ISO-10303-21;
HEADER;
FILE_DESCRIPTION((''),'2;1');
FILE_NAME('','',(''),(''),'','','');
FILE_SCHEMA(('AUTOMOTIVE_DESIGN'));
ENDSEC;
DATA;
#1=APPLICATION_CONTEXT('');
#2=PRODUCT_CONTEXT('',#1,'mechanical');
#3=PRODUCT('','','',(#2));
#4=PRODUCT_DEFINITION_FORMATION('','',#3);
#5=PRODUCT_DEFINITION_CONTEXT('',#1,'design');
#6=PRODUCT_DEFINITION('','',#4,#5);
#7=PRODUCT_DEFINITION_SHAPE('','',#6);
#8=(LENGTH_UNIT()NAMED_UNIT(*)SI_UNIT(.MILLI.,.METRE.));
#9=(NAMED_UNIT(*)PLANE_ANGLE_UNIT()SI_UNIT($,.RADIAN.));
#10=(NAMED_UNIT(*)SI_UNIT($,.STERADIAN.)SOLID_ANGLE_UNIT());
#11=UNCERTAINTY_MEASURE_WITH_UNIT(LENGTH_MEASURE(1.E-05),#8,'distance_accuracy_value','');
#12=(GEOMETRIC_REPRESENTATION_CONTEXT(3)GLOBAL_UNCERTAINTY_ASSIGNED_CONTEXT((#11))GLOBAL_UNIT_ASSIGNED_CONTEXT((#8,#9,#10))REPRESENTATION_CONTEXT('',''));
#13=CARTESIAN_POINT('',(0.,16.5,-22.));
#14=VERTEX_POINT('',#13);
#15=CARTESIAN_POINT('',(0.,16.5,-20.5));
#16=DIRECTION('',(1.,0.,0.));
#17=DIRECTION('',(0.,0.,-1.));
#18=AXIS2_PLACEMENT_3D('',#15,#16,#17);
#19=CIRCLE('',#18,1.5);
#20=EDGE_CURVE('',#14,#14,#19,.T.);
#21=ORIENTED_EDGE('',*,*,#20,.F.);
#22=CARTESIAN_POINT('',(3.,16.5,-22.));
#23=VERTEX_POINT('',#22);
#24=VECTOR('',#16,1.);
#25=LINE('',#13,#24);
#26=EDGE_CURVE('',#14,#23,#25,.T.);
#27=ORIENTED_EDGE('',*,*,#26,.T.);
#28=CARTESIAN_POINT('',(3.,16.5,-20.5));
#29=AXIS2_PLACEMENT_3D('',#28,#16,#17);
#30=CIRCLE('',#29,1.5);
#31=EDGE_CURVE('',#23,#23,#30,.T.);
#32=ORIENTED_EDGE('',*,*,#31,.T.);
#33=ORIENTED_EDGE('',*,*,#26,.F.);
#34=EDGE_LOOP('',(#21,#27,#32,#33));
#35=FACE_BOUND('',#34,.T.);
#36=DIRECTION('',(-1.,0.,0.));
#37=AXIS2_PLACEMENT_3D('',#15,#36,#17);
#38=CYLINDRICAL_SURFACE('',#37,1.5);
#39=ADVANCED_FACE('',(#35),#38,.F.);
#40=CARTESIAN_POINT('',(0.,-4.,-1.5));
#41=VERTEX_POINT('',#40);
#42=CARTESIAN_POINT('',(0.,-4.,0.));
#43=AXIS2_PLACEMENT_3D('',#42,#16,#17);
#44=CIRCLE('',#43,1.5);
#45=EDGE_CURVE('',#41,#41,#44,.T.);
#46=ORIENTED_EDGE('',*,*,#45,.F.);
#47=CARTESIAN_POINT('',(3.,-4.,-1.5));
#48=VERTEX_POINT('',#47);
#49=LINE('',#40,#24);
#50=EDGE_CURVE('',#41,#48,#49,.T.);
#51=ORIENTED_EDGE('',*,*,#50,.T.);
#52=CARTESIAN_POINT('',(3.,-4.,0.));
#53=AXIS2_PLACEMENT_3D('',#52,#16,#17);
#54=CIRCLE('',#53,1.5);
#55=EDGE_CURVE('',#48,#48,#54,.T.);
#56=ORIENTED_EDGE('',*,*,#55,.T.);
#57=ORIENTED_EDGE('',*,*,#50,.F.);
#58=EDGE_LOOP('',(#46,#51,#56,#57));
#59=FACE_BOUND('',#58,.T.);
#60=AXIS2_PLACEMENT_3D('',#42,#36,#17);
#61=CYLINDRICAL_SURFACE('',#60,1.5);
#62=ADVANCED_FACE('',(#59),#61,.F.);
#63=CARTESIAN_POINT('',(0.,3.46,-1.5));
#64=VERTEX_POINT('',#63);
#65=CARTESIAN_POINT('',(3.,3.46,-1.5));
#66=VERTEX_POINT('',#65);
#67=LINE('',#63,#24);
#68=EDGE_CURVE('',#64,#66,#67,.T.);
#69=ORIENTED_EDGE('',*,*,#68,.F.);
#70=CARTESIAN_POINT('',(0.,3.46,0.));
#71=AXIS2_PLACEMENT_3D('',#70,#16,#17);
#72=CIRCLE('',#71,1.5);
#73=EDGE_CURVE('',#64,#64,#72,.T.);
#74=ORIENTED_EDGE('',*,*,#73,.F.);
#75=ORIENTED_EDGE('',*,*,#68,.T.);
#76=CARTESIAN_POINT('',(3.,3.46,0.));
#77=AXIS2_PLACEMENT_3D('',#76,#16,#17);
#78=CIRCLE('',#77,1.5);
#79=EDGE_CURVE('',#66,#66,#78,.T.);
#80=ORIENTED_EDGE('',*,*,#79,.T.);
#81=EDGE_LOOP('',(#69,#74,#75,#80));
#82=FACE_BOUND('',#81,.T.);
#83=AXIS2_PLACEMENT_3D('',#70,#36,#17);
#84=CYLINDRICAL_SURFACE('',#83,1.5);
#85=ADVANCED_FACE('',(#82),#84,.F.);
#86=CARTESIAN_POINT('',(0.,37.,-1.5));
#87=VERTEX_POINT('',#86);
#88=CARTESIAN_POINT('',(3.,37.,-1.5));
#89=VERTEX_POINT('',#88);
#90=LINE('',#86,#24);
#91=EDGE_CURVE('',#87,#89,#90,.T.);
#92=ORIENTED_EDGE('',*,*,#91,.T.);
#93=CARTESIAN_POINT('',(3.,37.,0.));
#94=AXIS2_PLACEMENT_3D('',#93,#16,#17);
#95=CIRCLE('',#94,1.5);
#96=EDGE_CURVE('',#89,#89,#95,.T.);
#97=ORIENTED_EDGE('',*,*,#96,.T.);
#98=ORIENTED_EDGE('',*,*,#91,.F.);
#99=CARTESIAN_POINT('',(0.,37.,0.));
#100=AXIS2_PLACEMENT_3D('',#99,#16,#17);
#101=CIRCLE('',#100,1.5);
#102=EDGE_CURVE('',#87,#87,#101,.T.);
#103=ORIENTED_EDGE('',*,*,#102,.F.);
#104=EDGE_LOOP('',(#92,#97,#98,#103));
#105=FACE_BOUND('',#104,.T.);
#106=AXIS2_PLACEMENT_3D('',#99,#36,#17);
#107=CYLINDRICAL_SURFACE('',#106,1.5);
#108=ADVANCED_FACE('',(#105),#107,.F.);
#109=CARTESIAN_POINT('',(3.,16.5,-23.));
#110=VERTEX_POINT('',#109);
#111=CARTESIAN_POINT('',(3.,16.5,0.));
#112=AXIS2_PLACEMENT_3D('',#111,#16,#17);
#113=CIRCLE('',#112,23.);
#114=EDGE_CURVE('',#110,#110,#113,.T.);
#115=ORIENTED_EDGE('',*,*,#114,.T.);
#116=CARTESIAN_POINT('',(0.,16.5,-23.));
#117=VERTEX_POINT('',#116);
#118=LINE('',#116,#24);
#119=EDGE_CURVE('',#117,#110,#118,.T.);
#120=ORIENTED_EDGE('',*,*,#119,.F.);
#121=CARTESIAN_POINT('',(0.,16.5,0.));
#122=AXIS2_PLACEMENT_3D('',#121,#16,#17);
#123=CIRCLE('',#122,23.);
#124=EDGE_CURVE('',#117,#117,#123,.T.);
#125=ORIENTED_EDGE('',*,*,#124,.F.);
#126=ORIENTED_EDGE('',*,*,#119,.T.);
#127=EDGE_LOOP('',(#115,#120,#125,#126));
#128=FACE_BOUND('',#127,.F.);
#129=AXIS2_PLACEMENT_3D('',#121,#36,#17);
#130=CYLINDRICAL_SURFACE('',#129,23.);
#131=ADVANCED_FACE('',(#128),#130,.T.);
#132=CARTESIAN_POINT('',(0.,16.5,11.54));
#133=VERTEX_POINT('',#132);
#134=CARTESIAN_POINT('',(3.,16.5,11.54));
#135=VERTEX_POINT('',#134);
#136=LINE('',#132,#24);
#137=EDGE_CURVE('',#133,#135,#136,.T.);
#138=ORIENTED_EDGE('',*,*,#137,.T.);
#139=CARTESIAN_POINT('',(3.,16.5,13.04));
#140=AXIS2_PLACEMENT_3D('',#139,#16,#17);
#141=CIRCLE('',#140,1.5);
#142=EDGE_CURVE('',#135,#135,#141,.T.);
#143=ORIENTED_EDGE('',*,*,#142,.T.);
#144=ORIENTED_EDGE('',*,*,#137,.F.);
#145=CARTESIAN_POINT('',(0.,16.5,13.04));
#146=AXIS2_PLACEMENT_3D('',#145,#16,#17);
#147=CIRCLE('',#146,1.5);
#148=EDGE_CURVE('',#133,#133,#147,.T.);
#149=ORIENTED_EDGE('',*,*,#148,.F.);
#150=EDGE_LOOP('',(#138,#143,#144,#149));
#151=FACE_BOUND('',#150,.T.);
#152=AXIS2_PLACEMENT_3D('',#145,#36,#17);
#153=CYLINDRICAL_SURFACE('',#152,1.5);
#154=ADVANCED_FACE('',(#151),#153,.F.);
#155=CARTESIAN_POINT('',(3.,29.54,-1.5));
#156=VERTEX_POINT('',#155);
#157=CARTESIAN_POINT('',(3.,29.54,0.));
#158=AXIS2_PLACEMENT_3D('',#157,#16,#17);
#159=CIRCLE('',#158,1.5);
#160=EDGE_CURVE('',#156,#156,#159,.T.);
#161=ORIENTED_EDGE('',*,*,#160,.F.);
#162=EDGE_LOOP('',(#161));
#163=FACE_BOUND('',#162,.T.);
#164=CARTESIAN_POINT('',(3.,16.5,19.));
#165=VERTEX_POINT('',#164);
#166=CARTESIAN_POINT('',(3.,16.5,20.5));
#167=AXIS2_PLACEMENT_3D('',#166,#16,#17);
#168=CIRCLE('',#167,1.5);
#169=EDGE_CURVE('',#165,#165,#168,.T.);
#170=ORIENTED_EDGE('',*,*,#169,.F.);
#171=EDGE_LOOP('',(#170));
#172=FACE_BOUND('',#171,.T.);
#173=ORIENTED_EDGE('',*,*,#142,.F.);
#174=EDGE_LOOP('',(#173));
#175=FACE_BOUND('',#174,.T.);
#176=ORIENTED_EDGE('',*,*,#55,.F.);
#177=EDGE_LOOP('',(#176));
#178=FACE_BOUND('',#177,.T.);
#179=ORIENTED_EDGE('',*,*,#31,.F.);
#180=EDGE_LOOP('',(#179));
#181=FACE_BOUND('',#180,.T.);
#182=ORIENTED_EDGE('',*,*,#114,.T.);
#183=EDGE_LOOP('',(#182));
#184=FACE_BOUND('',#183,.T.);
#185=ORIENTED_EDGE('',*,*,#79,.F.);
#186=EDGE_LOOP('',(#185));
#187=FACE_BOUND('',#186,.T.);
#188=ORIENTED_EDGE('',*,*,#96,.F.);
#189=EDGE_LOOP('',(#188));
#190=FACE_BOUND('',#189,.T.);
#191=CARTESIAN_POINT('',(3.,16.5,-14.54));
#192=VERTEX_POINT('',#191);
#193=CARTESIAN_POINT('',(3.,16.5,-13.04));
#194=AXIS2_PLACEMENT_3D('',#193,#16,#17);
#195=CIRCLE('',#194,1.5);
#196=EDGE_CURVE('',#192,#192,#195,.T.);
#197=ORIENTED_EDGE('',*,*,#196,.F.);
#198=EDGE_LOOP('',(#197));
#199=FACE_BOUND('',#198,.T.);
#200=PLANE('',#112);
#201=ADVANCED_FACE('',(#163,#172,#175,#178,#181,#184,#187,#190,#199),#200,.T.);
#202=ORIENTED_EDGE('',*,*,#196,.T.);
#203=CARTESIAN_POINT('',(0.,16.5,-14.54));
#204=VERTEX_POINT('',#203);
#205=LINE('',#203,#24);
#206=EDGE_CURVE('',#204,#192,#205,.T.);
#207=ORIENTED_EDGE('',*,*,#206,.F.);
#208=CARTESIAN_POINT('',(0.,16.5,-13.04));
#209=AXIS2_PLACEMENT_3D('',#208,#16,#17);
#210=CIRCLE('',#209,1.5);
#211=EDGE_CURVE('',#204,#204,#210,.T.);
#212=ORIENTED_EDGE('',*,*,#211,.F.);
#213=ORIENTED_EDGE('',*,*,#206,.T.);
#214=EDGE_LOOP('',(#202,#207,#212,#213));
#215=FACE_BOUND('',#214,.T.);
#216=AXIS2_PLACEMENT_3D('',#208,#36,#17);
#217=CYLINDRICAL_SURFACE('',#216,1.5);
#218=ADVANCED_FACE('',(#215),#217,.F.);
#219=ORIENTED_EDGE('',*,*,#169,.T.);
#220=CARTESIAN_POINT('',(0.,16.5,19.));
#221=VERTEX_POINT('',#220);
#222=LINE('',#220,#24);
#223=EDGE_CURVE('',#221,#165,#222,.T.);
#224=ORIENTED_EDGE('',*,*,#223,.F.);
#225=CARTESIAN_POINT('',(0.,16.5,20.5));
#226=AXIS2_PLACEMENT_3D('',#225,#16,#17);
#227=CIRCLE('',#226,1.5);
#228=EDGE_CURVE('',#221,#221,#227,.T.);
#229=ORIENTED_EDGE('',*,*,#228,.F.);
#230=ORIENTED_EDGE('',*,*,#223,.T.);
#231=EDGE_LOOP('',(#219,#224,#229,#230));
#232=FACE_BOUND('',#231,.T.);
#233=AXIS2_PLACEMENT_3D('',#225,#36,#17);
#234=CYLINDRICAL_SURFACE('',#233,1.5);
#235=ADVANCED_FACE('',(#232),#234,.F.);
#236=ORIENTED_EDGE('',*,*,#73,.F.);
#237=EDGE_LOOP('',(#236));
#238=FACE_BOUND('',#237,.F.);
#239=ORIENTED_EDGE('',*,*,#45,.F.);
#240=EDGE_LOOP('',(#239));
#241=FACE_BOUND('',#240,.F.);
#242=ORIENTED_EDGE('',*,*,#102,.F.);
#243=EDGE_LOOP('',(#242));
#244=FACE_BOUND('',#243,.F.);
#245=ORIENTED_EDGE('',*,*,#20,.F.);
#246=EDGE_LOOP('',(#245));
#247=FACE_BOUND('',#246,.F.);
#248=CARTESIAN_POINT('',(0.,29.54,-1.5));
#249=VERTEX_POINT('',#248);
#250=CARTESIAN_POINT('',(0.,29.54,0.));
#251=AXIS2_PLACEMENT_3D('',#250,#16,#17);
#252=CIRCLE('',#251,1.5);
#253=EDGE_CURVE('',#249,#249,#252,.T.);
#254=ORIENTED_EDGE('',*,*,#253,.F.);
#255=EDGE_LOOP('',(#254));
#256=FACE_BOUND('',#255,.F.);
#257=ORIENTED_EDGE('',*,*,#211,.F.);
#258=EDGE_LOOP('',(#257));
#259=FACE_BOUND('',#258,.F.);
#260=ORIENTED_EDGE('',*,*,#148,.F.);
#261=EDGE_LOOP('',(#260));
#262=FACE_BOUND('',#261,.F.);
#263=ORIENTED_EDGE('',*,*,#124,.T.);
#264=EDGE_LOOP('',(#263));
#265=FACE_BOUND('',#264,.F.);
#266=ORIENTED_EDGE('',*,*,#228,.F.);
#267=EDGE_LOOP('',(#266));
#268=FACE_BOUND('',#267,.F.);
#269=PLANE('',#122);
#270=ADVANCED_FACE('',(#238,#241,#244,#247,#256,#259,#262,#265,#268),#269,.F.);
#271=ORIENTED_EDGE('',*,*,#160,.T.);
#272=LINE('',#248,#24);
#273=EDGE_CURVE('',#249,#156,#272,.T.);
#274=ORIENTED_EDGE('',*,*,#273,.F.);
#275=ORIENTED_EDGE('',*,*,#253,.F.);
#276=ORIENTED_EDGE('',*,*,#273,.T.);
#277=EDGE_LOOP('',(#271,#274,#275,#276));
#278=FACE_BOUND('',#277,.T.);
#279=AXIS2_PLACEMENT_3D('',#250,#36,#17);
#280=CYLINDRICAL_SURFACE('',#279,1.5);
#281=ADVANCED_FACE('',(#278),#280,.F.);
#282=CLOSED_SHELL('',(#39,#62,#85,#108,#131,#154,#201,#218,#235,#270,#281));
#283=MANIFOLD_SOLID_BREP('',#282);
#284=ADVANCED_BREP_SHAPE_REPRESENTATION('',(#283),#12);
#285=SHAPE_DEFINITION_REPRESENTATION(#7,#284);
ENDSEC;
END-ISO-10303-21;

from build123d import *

# Parameters (mm, degrees)
SKETCH1_R           = 23
SKETCH1_R_2         = 1.5
BOSS_EXTRUDE1_DEPTH = 3


with BuildPart() as part:
    # Sketch1 → Boss-Extrude1 (new body)
    with BuildSketch(Plane(origin=(0, 0, 0), x_dir=(0, 0, -1), z_dir=(1, 0, 0))):
        with Locations((0, 16.5)):
            Circle(SKETCH1_R)
        with Locations((0, -4)):
            Circle(SKETCH1_R_2, mode=Mode.SUBTRACT)
        with Locations((0, 3.46)):
            Circle(SKETCH1_R_2, mode=Mode.SUBTRACT)
        with Locations((-13.04, 16.5)):
            Circle(SKETCH1_R_2, mode=Mode.SUBTRACT)
        with Locations((-20.5, 16.5)):
            Circle(SKETCH1_R_2, mode=Mode.SUBTRACT)
        with Locations((0, 29.54)):
            Circle(SKETCH1_R_2, mode=Mode.SUBTRACT)
        with Locations((0, 37)):
            Circle(SKETCH1_R_2, mode=Mode.SUBTRACT)
        with Locations((13.04, 16.5)):
            Circle(SKETCH1_R_2, mode=Mode.SUBTRACT)
        with Locations((20.5, 16.5)):
            Circle(SKETCH1_R_2, mode=Mode.SUBTRACT)
    extrude(amount=BOSS_EXTRUDE1_DEPTH)


solid = part.part
